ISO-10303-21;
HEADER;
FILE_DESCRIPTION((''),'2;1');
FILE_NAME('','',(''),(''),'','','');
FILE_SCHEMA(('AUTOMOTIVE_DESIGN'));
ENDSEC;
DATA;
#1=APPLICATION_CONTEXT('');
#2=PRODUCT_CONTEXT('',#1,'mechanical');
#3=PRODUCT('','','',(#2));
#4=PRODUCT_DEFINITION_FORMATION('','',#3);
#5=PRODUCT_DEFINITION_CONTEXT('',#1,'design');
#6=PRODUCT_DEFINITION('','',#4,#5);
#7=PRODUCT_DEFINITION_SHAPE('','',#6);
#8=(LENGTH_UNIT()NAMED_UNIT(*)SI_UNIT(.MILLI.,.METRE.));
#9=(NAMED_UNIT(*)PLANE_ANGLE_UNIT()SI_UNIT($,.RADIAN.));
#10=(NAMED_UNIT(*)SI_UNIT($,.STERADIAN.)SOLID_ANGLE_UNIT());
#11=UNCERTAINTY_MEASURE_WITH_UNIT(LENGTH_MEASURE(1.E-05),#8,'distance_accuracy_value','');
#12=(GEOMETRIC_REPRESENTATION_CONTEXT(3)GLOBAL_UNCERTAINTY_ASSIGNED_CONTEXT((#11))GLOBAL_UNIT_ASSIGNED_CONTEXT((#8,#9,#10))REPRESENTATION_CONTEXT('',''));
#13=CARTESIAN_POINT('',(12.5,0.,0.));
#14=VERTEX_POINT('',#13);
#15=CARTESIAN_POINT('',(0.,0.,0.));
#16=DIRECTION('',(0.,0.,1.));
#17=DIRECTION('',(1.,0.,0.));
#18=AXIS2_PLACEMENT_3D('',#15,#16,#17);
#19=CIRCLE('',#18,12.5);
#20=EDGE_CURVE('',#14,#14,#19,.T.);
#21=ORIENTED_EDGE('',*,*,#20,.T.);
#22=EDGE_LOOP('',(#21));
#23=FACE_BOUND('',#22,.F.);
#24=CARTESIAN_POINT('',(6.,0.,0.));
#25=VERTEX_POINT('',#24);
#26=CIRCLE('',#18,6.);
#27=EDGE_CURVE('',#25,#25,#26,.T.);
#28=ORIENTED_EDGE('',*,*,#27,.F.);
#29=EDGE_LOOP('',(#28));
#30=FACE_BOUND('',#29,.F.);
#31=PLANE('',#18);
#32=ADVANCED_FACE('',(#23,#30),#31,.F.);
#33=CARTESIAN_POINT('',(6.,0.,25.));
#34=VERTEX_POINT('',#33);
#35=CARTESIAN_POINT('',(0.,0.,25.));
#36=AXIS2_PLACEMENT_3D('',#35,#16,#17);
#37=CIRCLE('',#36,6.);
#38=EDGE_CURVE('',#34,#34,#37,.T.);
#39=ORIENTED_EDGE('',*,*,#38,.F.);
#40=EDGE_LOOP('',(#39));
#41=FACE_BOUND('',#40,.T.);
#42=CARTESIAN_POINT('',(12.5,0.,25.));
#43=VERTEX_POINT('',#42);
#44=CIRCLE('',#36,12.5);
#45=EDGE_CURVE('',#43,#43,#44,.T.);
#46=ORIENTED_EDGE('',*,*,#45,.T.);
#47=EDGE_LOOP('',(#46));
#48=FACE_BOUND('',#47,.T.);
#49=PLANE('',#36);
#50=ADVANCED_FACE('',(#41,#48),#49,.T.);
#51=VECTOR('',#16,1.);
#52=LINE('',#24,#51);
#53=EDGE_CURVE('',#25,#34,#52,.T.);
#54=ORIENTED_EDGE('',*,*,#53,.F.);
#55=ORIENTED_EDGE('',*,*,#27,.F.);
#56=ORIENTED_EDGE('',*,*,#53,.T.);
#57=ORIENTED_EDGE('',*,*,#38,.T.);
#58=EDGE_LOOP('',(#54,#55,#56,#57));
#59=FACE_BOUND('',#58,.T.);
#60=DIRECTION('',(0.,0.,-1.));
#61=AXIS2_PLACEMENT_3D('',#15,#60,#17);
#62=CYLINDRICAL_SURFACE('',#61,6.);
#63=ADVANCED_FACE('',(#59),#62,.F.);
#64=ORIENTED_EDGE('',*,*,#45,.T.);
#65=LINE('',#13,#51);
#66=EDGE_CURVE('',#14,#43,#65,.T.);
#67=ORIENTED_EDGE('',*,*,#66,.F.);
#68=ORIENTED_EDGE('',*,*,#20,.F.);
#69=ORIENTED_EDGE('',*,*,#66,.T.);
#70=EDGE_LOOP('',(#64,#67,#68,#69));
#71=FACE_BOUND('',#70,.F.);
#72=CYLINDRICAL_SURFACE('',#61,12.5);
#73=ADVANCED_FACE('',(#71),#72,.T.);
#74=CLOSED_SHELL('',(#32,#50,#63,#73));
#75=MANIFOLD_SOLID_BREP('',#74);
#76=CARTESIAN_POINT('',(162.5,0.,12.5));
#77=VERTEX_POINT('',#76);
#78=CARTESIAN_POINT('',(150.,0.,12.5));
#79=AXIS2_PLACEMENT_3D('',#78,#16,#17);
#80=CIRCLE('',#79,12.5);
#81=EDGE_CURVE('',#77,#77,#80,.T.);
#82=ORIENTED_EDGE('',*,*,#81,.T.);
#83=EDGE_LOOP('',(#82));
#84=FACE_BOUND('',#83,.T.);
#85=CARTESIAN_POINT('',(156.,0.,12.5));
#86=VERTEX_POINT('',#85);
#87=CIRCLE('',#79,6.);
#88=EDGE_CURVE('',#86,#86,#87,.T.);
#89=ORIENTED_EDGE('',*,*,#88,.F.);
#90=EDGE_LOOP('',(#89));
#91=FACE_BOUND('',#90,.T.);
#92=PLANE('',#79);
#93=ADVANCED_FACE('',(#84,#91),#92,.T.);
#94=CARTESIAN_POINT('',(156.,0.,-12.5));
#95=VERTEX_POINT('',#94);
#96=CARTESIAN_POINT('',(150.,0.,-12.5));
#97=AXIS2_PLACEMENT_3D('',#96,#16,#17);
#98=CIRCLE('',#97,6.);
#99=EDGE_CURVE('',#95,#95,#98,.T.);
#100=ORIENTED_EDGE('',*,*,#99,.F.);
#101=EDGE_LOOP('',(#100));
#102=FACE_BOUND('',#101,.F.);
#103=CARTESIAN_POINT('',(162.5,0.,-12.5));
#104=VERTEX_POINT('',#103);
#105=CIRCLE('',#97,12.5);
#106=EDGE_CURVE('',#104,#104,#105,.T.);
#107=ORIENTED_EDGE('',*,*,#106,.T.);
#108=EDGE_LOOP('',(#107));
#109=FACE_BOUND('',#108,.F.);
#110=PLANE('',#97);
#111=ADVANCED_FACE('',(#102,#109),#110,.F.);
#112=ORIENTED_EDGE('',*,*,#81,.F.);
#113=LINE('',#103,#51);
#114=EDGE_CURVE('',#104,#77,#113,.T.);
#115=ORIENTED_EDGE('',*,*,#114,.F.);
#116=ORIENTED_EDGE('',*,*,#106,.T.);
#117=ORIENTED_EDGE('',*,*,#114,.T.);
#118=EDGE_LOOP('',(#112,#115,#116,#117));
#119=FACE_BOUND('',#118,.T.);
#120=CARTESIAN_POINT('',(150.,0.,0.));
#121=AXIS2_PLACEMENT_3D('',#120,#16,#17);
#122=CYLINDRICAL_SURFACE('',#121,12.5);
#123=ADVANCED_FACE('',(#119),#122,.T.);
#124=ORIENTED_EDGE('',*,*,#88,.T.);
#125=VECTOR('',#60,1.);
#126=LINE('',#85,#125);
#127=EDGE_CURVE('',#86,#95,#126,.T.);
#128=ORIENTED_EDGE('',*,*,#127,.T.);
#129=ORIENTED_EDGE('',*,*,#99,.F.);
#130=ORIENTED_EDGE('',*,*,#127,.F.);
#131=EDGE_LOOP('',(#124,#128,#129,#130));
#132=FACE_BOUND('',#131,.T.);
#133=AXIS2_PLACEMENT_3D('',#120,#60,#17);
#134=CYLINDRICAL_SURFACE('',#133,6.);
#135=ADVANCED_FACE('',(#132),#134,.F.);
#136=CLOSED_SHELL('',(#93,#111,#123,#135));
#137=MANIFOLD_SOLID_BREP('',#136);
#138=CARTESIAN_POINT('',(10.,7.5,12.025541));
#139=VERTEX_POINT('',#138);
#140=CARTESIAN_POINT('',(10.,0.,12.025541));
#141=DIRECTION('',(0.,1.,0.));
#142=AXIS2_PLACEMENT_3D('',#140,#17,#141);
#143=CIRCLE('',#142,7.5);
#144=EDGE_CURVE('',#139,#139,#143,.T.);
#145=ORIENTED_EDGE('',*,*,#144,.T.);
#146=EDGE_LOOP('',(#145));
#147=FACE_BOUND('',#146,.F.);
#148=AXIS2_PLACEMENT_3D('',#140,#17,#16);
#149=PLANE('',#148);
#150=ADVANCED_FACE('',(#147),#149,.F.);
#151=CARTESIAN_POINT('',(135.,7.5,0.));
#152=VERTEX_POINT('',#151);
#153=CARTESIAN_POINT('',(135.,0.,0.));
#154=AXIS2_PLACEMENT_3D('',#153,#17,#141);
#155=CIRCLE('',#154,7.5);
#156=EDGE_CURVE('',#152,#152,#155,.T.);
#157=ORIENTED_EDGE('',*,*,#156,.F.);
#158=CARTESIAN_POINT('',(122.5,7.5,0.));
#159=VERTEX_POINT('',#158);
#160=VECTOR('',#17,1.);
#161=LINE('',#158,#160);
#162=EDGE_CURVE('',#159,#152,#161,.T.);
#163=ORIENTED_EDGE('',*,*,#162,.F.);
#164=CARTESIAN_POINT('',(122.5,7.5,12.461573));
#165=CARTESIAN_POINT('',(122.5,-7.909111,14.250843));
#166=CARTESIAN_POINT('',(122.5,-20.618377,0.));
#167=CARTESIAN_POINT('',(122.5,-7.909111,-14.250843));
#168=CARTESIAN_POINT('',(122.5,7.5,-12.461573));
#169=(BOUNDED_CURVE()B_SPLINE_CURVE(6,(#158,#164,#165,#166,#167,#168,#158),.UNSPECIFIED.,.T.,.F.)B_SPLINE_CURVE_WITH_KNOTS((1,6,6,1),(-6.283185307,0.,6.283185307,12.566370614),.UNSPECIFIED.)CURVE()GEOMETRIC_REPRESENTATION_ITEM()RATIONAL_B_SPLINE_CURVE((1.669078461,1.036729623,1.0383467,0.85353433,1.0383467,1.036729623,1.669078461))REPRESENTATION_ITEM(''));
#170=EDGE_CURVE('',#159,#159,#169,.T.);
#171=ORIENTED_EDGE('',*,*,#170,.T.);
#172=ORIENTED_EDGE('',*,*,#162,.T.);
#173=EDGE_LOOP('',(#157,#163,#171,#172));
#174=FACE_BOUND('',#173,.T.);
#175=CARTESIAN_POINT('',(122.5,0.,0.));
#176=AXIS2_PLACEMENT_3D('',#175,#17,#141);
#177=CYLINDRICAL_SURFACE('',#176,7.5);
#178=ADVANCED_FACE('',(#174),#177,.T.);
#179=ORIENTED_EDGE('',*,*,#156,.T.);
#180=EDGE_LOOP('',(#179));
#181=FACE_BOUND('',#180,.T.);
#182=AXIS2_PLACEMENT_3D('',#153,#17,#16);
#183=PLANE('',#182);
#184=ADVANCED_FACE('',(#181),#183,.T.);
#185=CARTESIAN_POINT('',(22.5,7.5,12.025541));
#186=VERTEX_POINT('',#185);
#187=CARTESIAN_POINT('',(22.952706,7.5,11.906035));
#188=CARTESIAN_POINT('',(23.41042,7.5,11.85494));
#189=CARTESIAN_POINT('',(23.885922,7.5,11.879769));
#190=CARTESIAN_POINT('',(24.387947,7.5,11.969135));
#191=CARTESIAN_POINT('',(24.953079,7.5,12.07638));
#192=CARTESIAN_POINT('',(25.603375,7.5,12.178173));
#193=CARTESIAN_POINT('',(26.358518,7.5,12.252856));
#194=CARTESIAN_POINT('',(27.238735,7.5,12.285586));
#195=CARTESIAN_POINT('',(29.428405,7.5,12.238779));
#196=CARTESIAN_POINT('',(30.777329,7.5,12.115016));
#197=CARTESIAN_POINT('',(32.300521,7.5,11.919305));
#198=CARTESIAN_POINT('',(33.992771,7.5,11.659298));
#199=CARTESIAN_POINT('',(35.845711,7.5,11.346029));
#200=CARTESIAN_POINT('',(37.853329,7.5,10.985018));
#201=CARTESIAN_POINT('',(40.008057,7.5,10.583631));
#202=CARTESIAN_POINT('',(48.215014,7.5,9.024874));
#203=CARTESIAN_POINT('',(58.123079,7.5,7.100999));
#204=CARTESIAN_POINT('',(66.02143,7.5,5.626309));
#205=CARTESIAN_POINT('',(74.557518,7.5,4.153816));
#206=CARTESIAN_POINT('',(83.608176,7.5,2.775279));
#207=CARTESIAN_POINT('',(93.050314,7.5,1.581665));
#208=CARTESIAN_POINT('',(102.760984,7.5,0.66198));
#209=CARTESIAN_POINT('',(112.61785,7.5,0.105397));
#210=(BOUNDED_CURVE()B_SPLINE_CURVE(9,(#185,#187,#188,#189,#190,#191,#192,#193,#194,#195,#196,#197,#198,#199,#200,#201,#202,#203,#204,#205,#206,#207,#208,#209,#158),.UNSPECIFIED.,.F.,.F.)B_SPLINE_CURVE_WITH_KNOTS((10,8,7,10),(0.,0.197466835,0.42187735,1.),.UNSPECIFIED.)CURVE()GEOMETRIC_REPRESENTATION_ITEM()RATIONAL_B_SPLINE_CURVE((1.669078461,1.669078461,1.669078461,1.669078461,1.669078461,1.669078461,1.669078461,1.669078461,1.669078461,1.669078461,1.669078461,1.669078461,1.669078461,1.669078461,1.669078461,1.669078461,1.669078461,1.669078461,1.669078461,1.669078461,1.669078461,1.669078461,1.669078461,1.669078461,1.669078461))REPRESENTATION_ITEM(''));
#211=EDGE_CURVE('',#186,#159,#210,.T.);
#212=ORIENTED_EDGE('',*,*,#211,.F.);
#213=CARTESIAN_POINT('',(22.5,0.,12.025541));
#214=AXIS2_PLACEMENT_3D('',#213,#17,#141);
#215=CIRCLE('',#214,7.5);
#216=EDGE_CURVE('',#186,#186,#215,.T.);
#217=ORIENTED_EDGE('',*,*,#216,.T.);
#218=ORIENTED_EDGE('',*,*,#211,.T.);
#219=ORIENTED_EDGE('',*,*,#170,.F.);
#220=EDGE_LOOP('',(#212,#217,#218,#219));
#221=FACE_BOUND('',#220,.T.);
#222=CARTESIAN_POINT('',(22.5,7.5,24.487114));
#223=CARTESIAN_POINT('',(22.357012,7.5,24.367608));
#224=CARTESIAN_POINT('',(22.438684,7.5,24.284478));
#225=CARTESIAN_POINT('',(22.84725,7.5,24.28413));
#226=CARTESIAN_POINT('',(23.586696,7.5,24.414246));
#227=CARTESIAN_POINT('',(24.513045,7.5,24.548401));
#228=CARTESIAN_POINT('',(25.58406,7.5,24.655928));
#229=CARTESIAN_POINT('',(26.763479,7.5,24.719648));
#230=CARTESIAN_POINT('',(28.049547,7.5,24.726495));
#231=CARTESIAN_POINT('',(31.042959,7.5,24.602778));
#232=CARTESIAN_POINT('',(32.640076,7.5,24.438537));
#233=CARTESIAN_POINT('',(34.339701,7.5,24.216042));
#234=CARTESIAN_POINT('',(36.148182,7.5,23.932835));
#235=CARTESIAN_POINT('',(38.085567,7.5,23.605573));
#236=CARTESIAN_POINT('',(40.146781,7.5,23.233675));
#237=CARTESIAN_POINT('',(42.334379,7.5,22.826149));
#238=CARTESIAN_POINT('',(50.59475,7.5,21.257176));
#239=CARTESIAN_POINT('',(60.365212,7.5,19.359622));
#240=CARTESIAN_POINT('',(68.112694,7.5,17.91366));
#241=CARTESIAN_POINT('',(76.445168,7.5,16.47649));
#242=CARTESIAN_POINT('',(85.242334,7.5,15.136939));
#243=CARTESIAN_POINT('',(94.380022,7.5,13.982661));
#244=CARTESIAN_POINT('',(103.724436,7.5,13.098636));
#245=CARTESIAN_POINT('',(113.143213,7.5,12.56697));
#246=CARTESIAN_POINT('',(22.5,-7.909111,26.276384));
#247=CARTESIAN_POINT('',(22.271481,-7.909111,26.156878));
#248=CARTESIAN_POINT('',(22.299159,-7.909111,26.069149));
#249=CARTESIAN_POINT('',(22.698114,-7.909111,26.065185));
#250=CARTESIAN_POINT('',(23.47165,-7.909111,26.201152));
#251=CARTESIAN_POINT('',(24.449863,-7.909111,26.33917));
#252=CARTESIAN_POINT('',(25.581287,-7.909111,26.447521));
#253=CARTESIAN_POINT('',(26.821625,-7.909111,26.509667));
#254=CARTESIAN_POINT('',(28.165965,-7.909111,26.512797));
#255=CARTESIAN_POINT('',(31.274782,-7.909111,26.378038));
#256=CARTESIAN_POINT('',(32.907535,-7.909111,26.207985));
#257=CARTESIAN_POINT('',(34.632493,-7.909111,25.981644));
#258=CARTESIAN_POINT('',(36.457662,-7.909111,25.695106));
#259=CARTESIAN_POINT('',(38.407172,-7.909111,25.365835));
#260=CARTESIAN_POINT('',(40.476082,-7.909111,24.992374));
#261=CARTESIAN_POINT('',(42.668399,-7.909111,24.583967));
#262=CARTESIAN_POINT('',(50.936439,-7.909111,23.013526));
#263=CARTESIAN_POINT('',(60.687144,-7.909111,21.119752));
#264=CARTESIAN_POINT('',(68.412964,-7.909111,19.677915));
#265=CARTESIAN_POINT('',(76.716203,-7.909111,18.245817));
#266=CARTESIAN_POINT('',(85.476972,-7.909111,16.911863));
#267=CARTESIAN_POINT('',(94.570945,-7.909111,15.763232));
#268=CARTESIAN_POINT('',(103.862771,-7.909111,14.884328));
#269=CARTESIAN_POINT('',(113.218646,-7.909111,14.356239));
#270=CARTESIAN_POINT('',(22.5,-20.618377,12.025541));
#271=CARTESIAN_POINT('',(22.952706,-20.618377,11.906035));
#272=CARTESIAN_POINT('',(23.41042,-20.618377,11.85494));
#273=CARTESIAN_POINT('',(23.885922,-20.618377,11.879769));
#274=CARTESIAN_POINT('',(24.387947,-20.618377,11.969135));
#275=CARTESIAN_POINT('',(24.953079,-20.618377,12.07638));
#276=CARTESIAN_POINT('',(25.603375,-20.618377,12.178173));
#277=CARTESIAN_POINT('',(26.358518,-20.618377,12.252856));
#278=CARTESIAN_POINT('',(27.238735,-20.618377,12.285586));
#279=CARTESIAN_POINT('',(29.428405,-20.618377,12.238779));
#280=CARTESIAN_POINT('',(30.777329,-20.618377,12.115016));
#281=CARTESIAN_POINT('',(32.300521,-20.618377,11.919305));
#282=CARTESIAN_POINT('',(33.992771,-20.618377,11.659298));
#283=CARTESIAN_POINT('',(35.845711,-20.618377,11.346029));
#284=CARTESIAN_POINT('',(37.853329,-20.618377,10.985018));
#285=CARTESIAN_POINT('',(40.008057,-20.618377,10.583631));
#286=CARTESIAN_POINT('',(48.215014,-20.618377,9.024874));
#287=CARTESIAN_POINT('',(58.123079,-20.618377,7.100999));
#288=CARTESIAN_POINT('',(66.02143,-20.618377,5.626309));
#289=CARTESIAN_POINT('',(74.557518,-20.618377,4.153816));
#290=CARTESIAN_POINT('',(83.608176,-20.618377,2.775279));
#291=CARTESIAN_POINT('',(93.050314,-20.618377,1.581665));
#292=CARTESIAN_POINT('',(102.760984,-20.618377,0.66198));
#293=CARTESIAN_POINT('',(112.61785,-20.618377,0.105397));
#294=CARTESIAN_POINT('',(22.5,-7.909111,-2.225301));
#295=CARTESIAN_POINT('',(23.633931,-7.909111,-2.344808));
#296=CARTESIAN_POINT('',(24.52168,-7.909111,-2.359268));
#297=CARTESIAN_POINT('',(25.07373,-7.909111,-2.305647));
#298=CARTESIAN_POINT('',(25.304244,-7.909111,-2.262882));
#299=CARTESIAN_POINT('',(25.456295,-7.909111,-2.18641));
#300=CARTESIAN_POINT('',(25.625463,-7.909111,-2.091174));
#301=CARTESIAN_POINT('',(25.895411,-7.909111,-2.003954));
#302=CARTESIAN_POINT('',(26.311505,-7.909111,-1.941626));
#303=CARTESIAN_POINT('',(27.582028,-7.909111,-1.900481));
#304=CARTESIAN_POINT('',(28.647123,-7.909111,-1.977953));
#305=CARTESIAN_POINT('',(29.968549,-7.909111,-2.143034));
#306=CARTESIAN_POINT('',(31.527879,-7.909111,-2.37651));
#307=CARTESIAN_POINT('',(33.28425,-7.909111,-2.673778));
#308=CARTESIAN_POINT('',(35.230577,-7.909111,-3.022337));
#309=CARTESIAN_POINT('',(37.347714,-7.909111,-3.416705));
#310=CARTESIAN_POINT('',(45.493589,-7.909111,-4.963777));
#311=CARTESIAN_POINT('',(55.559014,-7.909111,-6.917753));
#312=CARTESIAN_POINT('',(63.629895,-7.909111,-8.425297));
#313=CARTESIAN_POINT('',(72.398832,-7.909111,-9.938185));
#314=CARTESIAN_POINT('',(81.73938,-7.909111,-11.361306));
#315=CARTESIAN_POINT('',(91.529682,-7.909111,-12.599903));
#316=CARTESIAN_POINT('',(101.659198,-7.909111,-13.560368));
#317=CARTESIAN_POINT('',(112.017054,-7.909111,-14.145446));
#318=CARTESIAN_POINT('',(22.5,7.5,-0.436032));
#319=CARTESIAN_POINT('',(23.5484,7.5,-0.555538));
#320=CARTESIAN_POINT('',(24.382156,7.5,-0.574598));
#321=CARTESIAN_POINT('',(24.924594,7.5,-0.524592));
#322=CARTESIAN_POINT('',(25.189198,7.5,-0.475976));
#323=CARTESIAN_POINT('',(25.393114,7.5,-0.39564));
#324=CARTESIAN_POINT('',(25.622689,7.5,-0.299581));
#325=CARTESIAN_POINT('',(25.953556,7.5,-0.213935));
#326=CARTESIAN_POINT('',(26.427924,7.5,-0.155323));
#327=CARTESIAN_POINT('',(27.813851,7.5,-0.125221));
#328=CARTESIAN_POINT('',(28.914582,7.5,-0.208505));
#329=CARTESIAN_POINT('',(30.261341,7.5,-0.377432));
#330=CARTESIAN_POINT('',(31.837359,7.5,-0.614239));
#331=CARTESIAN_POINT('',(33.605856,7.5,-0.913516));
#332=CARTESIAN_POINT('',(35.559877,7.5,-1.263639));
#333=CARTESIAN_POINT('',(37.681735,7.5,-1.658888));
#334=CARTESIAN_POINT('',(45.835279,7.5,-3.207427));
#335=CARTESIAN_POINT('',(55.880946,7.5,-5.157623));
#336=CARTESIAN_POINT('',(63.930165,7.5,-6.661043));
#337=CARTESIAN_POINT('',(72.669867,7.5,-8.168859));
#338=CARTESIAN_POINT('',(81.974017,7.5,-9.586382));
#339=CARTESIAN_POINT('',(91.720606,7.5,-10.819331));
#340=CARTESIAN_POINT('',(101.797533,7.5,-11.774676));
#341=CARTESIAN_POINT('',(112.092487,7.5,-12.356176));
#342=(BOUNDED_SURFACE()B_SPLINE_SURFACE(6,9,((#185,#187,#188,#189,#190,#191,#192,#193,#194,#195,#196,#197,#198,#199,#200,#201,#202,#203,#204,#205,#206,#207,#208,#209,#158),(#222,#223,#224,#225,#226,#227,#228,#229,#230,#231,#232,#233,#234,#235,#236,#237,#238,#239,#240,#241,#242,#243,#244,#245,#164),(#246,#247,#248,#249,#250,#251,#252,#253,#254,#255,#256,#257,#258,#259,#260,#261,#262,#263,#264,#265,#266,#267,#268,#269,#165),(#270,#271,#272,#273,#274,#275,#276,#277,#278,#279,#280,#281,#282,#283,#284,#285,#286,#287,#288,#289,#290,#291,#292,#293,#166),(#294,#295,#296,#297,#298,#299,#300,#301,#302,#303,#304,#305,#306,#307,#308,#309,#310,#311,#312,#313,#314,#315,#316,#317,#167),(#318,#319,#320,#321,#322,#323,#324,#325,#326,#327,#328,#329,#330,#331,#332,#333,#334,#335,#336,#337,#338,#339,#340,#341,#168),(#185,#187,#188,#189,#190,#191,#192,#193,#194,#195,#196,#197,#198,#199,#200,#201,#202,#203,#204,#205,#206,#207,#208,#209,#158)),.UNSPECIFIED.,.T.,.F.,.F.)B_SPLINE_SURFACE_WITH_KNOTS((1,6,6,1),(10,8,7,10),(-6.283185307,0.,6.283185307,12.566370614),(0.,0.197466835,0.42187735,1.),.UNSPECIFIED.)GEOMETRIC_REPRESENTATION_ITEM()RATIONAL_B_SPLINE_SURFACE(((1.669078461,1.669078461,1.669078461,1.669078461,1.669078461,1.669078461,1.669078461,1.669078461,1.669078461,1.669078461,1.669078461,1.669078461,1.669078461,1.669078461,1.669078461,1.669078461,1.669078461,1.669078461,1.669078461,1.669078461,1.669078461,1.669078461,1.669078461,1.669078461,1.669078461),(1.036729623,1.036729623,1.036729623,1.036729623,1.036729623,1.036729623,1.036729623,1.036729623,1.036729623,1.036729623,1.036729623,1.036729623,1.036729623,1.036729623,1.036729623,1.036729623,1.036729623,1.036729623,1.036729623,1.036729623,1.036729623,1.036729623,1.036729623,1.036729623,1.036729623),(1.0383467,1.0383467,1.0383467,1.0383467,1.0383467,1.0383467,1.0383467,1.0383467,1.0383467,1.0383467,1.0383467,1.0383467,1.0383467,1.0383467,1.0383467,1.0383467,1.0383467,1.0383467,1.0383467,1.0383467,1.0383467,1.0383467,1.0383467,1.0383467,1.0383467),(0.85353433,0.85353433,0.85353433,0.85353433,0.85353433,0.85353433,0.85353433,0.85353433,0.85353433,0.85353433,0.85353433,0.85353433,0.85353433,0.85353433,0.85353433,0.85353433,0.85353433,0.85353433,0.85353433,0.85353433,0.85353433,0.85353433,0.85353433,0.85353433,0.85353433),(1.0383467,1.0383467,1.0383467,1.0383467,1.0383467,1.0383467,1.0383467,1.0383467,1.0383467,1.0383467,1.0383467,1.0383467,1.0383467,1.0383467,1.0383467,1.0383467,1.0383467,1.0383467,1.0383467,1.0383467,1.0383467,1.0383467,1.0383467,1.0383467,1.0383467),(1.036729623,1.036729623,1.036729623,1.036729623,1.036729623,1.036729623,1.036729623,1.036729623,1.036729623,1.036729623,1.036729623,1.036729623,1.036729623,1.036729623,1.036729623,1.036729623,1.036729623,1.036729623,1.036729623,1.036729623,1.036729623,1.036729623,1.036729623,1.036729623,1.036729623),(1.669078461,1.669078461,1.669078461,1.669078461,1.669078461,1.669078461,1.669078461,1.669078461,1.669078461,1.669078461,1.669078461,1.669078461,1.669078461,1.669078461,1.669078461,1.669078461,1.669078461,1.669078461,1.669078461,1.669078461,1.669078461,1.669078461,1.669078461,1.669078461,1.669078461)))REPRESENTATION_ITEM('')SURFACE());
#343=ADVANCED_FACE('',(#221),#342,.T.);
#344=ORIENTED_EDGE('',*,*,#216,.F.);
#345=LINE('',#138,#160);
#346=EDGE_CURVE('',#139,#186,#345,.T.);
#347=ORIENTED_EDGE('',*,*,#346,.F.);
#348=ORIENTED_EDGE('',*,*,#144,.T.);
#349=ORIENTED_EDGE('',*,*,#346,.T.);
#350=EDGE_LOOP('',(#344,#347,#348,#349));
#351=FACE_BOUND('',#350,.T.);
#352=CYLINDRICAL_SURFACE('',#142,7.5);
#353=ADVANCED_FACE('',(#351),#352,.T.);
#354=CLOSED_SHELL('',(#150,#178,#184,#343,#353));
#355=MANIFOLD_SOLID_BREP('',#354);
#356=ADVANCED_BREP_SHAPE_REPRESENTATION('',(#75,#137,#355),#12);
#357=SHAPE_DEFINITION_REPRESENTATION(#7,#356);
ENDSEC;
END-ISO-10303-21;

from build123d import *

# Parameters (mm, degrees)
F0_R     = 12.5
F0_R_2   = 6
F1_DEPTH = 25
F2_R     = 12.5
F2_R_2   = 6
F3_DEPTH = 12.5
F6_R     = 7.5


with BuildPart() as f1:
    # F0 (on Top) → F1 (new body)
    with BuildSketch(Plane.XY):
        Circle(F0_R)
        Circle(F0_R_2, mode=Mode.SUBTRACT)
    extrude(amount=F1_DEPTH)


with BuildPart() as f3:
    # F2 (on Top) → F3 (new body, symmetric)
    with BuildSketch(Plane.XY):
        with Locations((150, 0)):
            Circle(F2_R)
        with Locations((150, 0)):
            Circle(F2_R_2, mode=Mode.SUBTRACT)
    extrude(amount=F3_DEPTH, both=True)


with BuildPart() as f7:
    # F7: sweep along a path in F4
    with BuildLine(Plane.XZ) as f7_path:
        Line((12.5, 12.0255414299), (25, 12.0255414299))
        add(Plane.XZ * Edge.make_bspline(
            [(25, 12.0255414299), (26.3581174101, 12.0255414299), (33.1495987974, 13.5050102626), (83.8456551696, 0), (125, 0)],
            knots=[0, 0, 0, 0, 0.1974668353, 1, 1, 1, 1], degree=3))
        Line((125, 0), (137.5, 0))
    # F6 (on offset) → F7 (sweep)
    with BuildSketch(Plane.YZ.offset(10)):
        with Locations((0, 12.0255414299)):
            Circle(F6_R)
    sweep(path=f7_path.line)


solid = Compound([f1.part, f3.part, f7.part])
